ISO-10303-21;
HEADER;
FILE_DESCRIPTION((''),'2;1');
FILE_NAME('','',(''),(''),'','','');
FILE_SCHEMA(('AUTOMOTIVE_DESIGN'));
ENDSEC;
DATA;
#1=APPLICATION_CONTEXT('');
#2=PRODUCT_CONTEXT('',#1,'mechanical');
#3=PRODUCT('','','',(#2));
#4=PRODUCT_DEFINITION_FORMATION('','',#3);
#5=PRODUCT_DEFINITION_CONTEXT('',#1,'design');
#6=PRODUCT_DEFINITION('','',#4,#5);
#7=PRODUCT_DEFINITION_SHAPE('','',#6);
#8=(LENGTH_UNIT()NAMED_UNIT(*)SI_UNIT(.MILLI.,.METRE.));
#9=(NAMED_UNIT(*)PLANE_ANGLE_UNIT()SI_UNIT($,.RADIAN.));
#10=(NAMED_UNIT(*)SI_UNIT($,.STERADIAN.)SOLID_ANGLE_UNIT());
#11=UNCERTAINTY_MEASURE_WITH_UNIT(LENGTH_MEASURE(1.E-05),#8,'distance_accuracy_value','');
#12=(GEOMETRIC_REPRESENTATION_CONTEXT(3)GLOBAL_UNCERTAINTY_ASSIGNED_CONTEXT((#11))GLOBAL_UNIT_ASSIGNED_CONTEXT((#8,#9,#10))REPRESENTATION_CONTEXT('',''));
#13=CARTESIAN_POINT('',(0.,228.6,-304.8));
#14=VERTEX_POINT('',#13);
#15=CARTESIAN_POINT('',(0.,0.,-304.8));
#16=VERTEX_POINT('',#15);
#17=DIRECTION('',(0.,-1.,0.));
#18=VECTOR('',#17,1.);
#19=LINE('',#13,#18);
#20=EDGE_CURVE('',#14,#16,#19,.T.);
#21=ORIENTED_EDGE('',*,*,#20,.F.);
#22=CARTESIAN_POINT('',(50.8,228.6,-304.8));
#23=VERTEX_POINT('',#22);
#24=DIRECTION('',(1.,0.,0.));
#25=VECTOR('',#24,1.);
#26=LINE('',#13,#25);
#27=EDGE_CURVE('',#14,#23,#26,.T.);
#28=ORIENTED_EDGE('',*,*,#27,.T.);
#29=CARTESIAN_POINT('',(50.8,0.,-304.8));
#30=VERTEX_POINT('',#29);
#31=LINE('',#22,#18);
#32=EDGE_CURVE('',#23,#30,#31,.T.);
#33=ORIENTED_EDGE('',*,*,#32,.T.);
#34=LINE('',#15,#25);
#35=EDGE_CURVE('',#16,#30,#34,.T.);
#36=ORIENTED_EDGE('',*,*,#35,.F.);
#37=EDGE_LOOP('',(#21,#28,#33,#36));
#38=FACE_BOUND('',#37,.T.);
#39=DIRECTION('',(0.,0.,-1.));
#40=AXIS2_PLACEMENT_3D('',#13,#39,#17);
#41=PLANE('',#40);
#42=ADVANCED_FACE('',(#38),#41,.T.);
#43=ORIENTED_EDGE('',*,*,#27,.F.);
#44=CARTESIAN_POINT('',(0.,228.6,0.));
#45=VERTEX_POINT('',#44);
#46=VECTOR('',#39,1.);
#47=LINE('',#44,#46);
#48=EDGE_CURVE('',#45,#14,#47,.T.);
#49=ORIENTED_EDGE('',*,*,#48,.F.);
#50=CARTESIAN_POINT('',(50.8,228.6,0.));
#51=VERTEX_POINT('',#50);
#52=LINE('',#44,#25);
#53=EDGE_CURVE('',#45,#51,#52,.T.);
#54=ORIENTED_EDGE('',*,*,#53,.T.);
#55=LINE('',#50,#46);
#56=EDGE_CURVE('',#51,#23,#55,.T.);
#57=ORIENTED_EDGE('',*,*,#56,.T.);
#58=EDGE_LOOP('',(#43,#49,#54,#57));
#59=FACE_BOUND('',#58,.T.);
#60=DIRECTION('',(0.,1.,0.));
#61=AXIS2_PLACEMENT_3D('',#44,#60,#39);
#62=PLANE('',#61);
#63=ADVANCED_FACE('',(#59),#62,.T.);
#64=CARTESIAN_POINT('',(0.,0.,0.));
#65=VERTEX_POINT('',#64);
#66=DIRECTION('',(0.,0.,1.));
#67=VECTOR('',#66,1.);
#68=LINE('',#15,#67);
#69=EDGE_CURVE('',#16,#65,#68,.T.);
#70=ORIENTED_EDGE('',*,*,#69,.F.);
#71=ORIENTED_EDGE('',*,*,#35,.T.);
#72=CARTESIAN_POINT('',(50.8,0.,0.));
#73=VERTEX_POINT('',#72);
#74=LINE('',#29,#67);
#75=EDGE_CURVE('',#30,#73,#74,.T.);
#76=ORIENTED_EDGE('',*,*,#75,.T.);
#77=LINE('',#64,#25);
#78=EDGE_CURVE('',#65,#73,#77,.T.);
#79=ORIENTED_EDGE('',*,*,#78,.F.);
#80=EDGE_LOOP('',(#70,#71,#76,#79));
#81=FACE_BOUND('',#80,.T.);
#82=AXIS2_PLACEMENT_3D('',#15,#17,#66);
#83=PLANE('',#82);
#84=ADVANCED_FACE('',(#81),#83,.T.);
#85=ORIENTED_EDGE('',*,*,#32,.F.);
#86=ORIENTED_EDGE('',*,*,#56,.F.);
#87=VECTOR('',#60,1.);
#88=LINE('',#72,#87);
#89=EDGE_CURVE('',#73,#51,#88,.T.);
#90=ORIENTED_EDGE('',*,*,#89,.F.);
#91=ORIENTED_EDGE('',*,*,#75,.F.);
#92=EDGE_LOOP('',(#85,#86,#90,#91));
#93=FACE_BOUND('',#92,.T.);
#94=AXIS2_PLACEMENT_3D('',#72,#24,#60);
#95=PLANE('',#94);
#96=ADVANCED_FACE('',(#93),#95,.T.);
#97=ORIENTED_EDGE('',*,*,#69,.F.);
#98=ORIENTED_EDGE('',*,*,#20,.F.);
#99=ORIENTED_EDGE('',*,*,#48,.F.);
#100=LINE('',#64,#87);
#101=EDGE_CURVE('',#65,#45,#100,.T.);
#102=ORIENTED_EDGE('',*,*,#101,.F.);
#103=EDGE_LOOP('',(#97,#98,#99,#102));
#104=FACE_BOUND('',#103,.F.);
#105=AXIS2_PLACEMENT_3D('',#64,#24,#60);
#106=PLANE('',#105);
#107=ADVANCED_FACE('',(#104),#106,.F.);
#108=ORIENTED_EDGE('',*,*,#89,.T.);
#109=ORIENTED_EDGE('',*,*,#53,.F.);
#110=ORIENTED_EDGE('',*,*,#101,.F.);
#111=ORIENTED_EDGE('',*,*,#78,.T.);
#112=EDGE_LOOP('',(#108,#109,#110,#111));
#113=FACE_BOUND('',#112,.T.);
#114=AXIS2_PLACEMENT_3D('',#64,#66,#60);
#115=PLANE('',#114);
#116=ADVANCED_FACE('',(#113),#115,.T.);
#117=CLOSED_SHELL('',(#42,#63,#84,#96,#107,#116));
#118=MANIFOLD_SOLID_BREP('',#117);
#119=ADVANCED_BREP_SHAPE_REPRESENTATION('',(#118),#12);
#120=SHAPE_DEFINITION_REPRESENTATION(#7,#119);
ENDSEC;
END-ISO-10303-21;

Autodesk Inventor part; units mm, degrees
ref_plane "YZ Plane" through (0, 0, 0) normal (1, 0, 0) x (0, 1, 0)
ref_plane "XZ Plane" through (0, 0, 0) normal (0, 1, 0) x (-1, 0, 0)
ref_plane "XY Plane" through (0, 0, 0) normal (0, 0, 1) x (1, 0, 0)
sketch "Sketch1" plane through (0, 0, 0) normal (1, 0, 0) x (0, 1, 0)
  line L0 (0, 0) -> (228.6, 0)
  line L1 (228.6, 0) -> (228.6, -304.8)
  line L2 (228.6, -304.8) -> (0, -304.8)
  line L3 (0, -304.8) -> (0, 0)
  dimension "d0" = 304.8
  dimension "d1" = 228.6
extrude "Extrusion1" add sketch "Sketch1" along normal blind 50.8
properties part number "snap"
